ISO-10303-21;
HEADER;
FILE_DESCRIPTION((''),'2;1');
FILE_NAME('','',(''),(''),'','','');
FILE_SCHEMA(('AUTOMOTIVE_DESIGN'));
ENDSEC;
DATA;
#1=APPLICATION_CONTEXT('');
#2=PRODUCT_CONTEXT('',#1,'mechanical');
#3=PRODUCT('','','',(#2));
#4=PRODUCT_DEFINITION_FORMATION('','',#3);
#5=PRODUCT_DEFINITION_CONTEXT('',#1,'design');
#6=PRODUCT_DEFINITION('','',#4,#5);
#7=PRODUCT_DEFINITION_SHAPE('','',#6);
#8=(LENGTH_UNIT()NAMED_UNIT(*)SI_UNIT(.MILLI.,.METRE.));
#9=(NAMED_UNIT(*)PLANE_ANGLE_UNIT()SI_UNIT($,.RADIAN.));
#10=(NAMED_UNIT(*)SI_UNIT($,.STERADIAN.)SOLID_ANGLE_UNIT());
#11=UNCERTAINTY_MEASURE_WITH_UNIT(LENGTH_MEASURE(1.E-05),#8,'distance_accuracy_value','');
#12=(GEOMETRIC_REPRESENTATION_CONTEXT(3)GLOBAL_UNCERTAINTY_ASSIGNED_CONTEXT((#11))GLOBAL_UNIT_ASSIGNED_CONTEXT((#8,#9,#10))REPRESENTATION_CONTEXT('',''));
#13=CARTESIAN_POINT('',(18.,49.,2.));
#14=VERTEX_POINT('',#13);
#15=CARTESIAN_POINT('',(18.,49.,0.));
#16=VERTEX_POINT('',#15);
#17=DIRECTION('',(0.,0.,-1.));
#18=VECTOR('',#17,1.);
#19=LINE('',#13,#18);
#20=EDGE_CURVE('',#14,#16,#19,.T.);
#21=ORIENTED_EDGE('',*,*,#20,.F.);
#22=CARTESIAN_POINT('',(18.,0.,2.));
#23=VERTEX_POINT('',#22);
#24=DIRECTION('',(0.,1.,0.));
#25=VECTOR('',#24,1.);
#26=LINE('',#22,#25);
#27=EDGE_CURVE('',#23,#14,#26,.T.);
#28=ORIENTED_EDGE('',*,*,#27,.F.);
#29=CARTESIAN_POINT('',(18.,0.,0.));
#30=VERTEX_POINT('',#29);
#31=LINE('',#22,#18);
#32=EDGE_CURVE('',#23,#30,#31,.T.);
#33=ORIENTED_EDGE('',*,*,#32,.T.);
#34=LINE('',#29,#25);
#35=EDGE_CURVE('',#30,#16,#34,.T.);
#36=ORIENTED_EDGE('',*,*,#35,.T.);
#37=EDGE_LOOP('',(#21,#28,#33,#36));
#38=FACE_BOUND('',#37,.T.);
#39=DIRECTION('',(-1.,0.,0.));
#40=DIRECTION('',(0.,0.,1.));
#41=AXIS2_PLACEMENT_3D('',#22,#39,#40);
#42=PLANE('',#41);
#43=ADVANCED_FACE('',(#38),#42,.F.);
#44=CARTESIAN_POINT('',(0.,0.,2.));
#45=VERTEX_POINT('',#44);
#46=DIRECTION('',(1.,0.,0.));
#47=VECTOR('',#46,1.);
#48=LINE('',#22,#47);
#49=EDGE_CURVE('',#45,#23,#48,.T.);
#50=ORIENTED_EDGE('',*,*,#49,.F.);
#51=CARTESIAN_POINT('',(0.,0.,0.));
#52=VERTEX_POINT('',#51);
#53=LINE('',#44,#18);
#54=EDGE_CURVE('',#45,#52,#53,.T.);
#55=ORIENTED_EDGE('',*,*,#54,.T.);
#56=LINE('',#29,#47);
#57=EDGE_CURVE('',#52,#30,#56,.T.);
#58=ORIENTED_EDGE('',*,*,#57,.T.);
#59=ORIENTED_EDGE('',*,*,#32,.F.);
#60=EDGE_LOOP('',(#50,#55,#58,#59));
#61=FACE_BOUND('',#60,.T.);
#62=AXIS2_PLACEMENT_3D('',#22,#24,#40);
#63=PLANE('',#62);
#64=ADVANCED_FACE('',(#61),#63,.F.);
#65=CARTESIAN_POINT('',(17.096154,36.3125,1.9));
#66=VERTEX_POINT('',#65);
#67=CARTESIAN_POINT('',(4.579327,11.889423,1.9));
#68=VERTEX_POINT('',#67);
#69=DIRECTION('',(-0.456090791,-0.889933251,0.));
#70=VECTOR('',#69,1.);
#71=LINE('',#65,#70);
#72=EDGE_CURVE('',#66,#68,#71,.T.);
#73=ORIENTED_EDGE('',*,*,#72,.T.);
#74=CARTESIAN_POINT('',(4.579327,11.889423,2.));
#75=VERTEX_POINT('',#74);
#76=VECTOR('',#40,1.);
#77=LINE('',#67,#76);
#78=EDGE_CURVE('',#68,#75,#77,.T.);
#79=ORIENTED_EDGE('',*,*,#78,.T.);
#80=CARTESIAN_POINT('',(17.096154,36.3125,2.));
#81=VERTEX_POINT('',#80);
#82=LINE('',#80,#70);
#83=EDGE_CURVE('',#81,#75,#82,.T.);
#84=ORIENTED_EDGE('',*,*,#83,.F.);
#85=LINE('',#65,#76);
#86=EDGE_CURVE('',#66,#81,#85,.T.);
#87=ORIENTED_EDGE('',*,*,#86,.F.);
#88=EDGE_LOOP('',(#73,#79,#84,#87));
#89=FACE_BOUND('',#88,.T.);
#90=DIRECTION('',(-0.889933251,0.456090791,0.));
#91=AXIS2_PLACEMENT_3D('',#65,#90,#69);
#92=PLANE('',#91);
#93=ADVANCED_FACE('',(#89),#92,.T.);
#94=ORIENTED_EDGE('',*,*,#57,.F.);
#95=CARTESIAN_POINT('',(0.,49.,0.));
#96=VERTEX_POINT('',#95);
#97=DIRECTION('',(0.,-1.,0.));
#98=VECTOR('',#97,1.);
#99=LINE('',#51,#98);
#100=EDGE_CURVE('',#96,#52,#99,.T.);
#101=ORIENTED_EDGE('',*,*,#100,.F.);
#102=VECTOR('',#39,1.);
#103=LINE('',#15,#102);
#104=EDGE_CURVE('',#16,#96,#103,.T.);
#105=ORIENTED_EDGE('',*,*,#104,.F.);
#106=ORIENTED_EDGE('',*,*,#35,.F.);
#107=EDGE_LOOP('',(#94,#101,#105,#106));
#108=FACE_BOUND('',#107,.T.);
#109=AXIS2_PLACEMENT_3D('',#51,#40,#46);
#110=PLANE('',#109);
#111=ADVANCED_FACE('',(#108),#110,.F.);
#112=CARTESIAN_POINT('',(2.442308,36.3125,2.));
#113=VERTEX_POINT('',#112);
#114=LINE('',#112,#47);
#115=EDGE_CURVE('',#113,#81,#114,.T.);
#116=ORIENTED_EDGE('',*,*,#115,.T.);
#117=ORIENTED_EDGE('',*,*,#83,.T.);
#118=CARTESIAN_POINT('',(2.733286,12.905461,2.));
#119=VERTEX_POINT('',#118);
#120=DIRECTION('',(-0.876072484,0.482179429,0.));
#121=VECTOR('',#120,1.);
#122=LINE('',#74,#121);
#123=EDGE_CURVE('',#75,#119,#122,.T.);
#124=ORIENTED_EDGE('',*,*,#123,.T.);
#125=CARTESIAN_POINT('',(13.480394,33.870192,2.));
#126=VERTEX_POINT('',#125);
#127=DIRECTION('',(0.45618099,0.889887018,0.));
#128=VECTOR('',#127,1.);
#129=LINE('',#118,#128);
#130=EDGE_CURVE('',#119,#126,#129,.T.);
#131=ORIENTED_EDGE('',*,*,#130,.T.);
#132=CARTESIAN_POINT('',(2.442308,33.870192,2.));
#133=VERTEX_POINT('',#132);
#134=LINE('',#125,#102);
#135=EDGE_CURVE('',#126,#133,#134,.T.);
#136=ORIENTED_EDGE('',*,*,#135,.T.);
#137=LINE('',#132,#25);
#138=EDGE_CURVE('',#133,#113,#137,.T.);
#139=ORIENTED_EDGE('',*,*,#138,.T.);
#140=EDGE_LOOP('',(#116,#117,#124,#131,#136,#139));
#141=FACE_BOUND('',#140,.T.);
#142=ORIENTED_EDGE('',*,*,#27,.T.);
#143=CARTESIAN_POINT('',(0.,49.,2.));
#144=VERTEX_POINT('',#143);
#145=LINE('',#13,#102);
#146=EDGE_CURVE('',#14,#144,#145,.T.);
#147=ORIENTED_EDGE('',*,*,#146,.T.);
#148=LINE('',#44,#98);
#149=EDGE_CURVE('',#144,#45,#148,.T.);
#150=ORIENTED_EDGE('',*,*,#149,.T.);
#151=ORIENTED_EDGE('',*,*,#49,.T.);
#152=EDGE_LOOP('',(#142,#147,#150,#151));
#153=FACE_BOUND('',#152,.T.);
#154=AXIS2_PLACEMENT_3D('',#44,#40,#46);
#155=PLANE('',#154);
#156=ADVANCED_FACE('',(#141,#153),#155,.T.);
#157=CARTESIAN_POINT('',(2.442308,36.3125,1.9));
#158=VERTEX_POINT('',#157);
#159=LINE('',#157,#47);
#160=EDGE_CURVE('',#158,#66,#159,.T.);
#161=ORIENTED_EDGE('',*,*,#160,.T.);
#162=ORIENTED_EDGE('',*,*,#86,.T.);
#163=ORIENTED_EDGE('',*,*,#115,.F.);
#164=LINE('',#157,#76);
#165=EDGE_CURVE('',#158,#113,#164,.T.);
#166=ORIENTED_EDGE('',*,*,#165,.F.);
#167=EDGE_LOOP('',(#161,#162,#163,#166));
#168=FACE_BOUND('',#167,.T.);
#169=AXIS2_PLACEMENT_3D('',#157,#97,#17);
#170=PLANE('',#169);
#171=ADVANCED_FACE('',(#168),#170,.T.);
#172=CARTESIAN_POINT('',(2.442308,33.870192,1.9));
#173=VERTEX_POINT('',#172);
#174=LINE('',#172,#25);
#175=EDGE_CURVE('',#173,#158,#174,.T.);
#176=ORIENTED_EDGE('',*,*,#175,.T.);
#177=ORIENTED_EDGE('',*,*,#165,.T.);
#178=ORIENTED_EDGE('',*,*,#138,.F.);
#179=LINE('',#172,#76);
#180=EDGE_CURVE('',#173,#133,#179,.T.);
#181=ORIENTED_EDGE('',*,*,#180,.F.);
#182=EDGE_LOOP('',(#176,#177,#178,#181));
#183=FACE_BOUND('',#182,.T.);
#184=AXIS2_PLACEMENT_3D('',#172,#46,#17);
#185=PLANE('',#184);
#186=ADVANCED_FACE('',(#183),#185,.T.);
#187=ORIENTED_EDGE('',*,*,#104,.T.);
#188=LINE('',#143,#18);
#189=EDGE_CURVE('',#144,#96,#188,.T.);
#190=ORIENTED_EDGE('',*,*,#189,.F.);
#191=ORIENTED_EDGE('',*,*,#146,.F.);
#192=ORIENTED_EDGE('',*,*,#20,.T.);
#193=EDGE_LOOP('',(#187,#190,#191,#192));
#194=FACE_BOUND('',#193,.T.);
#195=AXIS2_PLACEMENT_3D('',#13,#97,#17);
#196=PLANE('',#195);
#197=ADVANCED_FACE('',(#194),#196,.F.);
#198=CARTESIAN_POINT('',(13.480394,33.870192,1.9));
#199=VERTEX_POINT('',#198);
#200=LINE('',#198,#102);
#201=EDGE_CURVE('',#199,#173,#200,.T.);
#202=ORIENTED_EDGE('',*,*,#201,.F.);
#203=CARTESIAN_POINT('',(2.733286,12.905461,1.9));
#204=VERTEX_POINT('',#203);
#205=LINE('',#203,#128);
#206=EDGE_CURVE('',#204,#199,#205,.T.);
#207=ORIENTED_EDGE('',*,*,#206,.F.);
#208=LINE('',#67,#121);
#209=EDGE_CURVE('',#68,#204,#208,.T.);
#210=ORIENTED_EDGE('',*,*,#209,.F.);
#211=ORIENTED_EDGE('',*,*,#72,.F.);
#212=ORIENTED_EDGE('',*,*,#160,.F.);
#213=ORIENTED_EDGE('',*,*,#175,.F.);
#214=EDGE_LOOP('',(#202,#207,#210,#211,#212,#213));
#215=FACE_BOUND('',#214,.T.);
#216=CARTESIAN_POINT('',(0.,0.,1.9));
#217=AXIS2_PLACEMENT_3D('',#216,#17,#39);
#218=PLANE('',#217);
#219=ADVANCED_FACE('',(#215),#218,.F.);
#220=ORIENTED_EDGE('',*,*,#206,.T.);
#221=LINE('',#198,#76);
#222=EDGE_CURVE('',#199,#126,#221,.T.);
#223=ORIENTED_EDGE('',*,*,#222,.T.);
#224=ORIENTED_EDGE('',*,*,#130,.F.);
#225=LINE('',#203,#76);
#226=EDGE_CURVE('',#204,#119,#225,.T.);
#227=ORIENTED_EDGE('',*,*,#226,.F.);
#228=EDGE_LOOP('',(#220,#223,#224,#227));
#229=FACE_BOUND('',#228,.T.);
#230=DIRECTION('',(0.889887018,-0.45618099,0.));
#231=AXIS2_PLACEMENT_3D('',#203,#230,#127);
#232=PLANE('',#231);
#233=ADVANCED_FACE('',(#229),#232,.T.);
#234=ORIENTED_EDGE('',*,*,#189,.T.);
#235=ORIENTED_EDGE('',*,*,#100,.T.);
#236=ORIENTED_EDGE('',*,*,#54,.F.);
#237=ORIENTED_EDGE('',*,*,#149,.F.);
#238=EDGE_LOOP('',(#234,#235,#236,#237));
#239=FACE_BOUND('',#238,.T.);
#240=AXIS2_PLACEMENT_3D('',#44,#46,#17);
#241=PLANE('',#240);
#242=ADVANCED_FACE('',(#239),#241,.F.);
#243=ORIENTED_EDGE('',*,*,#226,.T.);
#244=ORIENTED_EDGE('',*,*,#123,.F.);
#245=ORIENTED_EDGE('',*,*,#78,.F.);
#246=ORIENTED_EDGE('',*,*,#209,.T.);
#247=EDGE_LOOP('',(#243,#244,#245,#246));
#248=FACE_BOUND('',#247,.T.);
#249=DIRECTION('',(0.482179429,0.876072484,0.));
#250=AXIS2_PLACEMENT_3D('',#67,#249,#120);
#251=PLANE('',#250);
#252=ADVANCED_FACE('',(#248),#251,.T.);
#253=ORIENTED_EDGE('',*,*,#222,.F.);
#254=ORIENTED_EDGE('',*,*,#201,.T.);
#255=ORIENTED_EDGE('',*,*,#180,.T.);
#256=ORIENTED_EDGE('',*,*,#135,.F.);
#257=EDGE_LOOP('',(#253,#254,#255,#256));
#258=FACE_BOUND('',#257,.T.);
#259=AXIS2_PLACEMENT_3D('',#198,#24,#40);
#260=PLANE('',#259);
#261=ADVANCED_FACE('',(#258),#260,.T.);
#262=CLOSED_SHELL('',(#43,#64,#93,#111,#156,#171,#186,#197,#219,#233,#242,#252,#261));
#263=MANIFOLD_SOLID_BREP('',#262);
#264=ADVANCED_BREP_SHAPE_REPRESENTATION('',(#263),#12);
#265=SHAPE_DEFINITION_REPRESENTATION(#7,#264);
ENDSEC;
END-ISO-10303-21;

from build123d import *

# Parameters (mm, degrees)
SKETCH_1_W          = 18
SKETCH_1_H          = 49
EXTRUDE_1_DEPTH     = 2
CUT_EXTRUDE_1_DEPTH = 0.1


with BuildPart() as part:
    # ｽｹｯﾁ1 → ﾎﾞｽ - 押し出し1 (new body)
    with BuildSketch(Plane.XY):
        with Locations((9, 24.5)):
            Rectangle(SKETCH_1_W, SKETCH_1_H)
    extrude(amount=EXTRUDE_1_DEPTH)

    # ｽｹｯﾁ2 → ｶｯﾄ - 押し出し1 (cut)
    with BuildSketch(Plane.XY.offset(2)):
        Polygon((2.442307692, 36.3125), (17.096153846, 36.3125), (4.579326923, 11.889423077), (2.733285757, 12.905461238), (13.48039363, 33.870192308), (2.442307692, 33.870192308), align=None)
    extrude(amount=-CUT_EXTRUDE_1_DEPTH, mode=Mode.SUBTRACT)


solid = part.part
